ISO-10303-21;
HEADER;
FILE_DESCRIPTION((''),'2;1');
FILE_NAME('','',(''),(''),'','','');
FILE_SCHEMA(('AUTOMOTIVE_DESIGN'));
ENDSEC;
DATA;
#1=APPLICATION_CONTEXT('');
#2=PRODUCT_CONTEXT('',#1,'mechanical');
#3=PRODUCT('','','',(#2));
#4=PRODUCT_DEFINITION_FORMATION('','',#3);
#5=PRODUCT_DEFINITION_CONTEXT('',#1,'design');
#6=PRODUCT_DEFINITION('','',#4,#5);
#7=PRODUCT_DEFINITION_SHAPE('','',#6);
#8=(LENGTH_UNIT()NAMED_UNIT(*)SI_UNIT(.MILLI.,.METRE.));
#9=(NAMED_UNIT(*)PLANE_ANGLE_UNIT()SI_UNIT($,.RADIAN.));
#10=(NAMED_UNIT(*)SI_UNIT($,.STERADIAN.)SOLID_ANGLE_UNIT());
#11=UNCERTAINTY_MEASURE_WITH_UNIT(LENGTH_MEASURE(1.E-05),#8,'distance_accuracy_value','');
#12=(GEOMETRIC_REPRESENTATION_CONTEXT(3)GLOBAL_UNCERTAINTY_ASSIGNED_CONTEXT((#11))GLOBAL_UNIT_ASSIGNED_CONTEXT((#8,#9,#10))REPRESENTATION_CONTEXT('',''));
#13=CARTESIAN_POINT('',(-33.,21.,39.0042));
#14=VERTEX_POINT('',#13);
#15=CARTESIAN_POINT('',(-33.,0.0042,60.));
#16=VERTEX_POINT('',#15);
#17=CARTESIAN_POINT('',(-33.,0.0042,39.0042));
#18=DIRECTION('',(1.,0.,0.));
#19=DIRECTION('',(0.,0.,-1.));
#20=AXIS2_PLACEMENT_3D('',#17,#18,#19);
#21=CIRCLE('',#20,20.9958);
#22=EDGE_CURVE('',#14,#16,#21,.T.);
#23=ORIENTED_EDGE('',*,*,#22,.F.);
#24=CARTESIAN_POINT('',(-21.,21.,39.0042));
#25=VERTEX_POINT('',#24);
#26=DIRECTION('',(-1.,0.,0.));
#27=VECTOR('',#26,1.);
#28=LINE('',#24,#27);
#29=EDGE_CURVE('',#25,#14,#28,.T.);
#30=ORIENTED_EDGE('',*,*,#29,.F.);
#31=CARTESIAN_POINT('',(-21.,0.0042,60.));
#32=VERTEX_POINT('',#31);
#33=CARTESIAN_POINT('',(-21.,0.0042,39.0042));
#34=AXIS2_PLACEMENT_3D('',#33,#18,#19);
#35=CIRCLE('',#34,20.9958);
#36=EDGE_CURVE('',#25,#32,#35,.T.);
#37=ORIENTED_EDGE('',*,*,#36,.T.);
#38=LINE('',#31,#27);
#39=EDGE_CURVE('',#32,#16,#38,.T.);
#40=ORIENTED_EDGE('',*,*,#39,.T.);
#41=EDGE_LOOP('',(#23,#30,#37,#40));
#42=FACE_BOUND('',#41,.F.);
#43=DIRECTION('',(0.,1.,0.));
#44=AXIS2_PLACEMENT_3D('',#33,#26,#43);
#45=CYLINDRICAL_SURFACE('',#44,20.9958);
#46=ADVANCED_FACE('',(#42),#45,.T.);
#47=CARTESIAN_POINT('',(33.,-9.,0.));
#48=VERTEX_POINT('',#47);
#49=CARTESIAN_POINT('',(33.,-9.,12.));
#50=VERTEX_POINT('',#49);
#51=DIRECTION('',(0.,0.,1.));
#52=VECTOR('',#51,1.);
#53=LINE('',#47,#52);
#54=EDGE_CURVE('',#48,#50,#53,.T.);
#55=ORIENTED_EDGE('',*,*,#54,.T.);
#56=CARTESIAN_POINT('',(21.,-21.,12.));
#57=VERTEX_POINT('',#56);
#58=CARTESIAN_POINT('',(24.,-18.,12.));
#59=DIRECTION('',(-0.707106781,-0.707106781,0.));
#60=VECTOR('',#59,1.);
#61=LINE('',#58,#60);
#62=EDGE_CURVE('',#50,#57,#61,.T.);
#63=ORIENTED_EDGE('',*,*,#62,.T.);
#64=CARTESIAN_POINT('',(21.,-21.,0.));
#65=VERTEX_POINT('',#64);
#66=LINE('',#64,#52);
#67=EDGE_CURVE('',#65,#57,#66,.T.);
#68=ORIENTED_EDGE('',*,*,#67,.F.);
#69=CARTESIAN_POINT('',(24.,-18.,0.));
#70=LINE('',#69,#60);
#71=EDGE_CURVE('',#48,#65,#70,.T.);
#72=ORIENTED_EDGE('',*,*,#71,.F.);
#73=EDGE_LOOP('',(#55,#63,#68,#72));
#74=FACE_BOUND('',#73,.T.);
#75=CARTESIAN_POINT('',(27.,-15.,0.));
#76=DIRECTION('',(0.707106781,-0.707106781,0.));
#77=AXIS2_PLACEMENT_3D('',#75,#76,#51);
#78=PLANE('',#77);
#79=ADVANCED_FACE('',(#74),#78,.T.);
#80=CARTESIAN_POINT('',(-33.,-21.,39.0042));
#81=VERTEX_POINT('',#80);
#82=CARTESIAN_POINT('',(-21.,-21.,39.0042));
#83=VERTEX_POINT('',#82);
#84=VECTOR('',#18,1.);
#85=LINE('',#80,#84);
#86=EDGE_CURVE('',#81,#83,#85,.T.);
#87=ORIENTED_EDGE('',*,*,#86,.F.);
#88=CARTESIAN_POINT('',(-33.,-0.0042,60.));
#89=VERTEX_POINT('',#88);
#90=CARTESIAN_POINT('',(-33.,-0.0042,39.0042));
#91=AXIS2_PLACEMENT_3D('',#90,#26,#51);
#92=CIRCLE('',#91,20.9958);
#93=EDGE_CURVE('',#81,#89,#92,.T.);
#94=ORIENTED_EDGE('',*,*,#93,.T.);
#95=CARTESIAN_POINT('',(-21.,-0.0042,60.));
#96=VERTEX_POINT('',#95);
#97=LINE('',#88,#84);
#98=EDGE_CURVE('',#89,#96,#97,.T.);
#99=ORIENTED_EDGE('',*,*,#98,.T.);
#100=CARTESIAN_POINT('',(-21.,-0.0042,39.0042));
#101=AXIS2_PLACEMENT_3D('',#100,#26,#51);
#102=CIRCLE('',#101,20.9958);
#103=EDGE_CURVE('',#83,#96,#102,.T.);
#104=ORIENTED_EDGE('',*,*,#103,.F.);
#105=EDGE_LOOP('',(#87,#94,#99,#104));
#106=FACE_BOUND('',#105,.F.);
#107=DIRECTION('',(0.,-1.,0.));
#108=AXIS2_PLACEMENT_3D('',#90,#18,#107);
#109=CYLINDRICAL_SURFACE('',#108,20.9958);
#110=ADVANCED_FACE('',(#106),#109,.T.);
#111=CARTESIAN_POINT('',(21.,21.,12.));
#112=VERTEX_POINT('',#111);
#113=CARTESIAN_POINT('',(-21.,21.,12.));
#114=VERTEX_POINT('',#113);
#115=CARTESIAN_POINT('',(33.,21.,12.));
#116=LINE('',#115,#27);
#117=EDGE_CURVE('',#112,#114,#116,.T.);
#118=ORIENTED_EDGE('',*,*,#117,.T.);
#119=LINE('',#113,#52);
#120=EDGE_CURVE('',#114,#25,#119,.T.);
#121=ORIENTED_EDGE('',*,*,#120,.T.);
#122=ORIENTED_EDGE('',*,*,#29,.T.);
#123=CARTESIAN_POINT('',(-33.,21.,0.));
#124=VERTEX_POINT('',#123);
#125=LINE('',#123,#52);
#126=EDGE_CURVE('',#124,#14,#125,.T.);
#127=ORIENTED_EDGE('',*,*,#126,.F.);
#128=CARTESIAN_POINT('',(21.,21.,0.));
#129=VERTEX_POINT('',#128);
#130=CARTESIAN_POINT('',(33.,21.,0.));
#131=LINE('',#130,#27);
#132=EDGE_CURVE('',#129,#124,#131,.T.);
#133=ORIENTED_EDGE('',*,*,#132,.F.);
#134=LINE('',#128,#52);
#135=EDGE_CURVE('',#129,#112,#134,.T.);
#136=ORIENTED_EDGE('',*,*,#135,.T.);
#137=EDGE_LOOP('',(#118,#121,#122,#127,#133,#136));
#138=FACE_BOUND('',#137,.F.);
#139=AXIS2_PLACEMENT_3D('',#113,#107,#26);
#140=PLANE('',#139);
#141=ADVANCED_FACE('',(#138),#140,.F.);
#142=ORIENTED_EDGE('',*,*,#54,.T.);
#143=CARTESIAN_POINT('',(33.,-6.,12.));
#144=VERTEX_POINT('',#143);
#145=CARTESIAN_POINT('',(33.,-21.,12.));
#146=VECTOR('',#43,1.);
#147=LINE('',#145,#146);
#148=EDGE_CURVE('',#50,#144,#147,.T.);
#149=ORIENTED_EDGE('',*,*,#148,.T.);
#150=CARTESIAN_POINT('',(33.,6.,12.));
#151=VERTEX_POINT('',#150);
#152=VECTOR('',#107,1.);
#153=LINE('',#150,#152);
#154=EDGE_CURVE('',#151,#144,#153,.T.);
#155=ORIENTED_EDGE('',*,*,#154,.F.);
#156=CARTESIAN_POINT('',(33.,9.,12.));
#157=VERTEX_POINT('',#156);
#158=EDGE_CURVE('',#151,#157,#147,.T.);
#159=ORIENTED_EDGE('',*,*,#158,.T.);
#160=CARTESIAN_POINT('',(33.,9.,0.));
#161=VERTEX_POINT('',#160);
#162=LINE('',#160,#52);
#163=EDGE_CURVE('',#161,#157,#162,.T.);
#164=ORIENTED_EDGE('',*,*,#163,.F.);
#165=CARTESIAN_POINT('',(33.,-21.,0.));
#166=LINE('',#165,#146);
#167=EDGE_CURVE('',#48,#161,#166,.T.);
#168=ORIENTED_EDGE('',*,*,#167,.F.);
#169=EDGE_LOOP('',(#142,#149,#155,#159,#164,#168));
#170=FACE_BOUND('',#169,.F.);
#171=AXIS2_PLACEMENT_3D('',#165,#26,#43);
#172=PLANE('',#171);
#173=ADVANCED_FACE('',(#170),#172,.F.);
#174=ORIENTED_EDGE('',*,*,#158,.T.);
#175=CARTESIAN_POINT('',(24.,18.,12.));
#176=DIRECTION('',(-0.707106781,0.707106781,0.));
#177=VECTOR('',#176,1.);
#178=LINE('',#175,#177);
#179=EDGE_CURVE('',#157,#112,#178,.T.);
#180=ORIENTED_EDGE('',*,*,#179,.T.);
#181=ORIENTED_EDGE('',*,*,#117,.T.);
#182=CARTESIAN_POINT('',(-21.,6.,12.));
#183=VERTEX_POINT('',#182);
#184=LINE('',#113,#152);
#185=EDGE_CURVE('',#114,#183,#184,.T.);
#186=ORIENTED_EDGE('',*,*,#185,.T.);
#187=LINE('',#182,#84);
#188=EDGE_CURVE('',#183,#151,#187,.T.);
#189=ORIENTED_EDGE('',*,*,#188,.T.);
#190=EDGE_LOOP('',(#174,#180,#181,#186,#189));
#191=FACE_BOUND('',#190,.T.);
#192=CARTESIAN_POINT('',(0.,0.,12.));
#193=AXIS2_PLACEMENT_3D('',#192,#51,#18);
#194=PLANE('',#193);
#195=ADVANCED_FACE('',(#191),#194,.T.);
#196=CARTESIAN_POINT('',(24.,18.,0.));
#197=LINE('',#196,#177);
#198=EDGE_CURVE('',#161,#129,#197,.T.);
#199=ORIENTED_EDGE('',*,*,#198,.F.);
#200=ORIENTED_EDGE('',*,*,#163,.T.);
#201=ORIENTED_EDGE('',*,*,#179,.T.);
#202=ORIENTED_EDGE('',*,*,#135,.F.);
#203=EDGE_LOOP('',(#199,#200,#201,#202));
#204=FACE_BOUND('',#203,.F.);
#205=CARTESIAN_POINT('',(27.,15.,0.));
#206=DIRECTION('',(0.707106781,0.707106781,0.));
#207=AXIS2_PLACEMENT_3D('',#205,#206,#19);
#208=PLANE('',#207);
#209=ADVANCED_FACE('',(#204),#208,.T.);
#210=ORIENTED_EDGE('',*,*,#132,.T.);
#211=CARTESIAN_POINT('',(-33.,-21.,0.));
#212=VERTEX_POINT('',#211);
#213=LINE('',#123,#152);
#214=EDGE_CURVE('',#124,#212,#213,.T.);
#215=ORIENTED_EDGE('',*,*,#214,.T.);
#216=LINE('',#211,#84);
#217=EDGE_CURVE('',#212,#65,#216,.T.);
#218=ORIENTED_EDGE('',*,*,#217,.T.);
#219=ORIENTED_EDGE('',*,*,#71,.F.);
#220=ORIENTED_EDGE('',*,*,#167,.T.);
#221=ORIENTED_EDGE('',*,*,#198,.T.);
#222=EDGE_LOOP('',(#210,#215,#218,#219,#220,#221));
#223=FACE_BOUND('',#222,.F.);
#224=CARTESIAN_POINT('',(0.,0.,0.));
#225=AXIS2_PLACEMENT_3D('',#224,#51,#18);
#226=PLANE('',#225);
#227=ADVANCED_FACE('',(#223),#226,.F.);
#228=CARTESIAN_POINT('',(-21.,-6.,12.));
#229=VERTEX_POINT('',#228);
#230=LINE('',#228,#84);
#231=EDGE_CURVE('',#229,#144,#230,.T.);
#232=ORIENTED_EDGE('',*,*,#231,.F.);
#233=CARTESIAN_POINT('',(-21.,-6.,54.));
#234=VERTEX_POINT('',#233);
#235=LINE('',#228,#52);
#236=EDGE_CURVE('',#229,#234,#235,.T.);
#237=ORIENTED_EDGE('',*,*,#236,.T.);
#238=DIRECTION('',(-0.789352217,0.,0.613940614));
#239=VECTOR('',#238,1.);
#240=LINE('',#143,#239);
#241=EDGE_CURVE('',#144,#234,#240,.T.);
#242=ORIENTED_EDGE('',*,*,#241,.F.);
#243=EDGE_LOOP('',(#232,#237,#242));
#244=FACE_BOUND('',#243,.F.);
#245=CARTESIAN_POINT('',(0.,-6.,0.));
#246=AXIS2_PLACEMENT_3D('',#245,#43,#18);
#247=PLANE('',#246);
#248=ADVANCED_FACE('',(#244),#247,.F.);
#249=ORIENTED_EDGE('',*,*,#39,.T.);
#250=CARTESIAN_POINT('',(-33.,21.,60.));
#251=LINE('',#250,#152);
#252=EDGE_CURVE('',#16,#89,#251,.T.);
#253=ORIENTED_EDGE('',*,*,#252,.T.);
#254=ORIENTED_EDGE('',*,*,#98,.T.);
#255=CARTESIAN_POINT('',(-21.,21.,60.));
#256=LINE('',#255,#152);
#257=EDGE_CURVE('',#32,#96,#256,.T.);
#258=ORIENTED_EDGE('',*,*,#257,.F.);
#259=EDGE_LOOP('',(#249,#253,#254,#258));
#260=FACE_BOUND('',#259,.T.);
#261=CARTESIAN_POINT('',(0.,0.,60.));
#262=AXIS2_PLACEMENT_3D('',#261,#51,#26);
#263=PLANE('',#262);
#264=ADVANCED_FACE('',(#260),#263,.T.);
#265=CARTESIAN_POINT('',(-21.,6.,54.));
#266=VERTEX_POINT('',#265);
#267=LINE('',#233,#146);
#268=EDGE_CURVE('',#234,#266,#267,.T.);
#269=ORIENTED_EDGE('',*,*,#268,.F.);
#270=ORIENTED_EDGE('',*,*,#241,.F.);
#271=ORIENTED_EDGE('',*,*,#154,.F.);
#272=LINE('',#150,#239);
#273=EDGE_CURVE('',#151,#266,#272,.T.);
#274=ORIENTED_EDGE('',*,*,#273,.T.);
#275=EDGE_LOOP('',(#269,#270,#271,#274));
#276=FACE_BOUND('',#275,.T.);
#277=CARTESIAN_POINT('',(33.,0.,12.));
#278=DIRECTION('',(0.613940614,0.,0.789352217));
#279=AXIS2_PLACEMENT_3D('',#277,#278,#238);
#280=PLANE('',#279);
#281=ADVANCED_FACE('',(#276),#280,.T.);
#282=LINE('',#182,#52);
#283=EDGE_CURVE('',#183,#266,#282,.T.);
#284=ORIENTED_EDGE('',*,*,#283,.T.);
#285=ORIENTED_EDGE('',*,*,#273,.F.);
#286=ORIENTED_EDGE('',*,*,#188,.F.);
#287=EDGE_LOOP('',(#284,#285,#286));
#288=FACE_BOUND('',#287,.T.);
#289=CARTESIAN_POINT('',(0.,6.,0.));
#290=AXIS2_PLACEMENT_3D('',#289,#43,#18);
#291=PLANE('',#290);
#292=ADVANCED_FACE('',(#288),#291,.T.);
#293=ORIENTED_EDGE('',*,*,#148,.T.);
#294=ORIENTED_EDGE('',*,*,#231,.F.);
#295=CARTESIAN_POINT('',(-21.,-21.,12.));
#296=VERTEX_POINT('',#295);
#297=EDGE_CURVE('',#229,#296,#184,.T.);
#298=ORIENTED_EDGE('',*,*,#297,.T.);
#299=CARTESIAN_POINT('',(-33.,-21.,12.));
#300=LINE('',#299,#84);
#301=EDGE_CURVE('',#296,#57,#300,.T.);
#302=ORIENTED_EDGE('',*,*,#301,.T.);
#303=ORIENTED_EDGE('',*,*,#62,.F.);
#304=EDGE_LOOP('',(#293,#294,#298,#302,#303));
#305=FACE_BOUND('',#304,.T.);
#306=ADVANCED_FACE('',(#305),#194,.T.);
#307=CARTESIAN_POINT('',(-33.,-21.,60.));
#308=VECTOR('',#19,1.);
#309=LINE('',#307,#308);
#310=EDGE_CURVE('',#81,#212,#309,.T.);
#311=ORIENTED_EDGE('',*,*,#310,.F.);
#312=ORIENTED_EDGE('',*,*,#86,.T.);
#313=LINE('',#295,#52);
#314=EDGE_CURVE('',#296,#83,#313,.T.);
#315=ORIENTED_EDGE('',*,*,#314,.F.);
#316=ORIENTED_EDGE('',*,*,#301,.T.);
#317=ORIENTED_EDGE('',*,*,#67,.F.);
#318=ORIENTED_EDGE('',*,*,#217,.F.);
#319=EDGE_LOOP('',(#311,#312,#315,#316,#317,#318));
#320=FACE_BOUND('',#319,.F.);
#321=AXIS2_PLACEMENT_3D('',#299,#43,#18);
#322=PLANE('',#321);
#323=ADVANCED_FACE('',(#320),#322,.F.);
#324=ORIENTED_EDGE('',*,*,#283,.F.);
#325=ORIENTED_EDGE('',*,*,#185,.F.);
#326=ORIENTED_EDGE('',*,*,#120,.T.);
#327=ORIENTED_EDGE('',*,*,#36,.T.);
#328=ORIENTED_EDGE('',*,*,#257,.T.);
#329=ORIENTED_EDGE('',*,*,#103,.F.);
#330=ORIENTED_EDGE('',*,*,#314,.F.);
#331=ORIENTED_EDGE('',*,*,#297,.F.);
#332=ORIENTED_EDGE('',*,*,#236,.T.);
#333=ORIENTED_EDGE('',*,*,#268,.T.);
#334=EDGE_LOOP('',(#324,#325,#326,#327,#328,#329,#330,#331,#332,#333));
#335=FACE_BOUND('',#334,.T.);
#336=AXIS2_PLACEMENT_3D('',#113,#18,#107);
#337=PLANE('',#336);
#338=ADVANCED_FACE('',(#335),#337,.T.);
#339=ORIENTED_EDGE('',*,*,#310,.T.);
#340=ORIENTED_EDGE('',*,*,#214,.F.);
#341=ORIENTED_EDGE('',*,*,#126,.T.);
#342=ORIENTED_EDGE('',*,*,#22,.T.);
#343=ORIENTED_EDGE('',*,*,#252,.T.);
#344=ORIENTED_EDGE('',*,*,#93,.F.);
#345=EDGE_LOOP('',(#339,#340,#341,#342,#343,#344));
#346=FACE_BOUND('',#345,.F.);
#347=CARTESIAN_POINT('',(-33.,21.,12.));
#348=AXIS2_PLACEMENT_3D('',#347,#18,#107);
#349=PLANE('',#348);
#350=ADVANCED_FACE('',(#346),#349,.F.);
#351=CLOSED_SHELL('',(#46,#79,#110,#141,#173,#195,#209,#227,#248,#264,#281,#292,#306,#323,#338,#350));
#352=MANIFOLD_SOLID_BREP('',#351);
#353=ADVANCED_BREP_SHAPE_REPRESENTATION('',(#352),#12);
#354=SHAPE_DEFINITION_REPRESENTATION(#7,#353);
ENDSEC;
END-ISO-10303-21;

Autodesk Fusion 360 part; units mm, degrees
sketch "Base Plane" plane through (0, 0, 0) normal (0, 0, 1) x (1, 0, 0)
  line L0 (33, 21) -> (-33, 21)
  line L1 (-33, 21) -> (-33, -21)
  line L2 (-33, -21) -> (33, -21)
  line L3 (33, -21) -> (33, 21)
  line L4 (33, 21) -> (-33, -21) construction
  line L5 (-33, 21) -> (33, -21) construction
  dimension "d1" = 66
  dimension "d2" = 42
extrude "Extrude1" add sketch "Base Plane" along normal blind 12
chamfer "Chamfer1" distance 12 angle 45 2 edges at (33, -21, 6) (33, 21, 6)
sketch "Extruded BP" plane through (0, 0, 12) normal (0, 0, 1) x (-1, 0, 0)
  line L0 (-33, -9) -> (-21, -21)
  line L1 (-21, -21) -> (33, -21)
  line L2 (33, -21) -> (33, 21)
  line L3 (33, 21) -> (-21, 21)
  line L4 (-21, 21) -> (-33, 9)
  line L5 (-33, 9) -> (-33, -9)
  line L6 (33, -21) -> (21, -21)
  line L7 (21, -21) -> (21, 21)
  line L8 (21, 21) -> (33, 21)
  line L9 (33, 21) -> (33, -21)
  dimension "d6" = 12
extrude "Extrude2" add sketch "Extruded BP" along normal blind 48 contours L1 L2 L3 L6 L7 L8 L9
fillet "Fillet1" radius 21 2 edges at (-27, -21, 60) (-27, 21, 60)
sketch "Triangle" plane through (0, 0, 0) normal (0, 1, 0) x (1, 0, 0)
  line L0 (-21, -12) -> (-21, -54)
  line L1 (-21, -12) -> (33, -12)
  line L2 (33, -12) -> (-21, -54)
  dimension "d11" = 42
  dimension "d12" = 54
extrude "Extrude3" add sketch "Triangle" along normal mid plane 12
